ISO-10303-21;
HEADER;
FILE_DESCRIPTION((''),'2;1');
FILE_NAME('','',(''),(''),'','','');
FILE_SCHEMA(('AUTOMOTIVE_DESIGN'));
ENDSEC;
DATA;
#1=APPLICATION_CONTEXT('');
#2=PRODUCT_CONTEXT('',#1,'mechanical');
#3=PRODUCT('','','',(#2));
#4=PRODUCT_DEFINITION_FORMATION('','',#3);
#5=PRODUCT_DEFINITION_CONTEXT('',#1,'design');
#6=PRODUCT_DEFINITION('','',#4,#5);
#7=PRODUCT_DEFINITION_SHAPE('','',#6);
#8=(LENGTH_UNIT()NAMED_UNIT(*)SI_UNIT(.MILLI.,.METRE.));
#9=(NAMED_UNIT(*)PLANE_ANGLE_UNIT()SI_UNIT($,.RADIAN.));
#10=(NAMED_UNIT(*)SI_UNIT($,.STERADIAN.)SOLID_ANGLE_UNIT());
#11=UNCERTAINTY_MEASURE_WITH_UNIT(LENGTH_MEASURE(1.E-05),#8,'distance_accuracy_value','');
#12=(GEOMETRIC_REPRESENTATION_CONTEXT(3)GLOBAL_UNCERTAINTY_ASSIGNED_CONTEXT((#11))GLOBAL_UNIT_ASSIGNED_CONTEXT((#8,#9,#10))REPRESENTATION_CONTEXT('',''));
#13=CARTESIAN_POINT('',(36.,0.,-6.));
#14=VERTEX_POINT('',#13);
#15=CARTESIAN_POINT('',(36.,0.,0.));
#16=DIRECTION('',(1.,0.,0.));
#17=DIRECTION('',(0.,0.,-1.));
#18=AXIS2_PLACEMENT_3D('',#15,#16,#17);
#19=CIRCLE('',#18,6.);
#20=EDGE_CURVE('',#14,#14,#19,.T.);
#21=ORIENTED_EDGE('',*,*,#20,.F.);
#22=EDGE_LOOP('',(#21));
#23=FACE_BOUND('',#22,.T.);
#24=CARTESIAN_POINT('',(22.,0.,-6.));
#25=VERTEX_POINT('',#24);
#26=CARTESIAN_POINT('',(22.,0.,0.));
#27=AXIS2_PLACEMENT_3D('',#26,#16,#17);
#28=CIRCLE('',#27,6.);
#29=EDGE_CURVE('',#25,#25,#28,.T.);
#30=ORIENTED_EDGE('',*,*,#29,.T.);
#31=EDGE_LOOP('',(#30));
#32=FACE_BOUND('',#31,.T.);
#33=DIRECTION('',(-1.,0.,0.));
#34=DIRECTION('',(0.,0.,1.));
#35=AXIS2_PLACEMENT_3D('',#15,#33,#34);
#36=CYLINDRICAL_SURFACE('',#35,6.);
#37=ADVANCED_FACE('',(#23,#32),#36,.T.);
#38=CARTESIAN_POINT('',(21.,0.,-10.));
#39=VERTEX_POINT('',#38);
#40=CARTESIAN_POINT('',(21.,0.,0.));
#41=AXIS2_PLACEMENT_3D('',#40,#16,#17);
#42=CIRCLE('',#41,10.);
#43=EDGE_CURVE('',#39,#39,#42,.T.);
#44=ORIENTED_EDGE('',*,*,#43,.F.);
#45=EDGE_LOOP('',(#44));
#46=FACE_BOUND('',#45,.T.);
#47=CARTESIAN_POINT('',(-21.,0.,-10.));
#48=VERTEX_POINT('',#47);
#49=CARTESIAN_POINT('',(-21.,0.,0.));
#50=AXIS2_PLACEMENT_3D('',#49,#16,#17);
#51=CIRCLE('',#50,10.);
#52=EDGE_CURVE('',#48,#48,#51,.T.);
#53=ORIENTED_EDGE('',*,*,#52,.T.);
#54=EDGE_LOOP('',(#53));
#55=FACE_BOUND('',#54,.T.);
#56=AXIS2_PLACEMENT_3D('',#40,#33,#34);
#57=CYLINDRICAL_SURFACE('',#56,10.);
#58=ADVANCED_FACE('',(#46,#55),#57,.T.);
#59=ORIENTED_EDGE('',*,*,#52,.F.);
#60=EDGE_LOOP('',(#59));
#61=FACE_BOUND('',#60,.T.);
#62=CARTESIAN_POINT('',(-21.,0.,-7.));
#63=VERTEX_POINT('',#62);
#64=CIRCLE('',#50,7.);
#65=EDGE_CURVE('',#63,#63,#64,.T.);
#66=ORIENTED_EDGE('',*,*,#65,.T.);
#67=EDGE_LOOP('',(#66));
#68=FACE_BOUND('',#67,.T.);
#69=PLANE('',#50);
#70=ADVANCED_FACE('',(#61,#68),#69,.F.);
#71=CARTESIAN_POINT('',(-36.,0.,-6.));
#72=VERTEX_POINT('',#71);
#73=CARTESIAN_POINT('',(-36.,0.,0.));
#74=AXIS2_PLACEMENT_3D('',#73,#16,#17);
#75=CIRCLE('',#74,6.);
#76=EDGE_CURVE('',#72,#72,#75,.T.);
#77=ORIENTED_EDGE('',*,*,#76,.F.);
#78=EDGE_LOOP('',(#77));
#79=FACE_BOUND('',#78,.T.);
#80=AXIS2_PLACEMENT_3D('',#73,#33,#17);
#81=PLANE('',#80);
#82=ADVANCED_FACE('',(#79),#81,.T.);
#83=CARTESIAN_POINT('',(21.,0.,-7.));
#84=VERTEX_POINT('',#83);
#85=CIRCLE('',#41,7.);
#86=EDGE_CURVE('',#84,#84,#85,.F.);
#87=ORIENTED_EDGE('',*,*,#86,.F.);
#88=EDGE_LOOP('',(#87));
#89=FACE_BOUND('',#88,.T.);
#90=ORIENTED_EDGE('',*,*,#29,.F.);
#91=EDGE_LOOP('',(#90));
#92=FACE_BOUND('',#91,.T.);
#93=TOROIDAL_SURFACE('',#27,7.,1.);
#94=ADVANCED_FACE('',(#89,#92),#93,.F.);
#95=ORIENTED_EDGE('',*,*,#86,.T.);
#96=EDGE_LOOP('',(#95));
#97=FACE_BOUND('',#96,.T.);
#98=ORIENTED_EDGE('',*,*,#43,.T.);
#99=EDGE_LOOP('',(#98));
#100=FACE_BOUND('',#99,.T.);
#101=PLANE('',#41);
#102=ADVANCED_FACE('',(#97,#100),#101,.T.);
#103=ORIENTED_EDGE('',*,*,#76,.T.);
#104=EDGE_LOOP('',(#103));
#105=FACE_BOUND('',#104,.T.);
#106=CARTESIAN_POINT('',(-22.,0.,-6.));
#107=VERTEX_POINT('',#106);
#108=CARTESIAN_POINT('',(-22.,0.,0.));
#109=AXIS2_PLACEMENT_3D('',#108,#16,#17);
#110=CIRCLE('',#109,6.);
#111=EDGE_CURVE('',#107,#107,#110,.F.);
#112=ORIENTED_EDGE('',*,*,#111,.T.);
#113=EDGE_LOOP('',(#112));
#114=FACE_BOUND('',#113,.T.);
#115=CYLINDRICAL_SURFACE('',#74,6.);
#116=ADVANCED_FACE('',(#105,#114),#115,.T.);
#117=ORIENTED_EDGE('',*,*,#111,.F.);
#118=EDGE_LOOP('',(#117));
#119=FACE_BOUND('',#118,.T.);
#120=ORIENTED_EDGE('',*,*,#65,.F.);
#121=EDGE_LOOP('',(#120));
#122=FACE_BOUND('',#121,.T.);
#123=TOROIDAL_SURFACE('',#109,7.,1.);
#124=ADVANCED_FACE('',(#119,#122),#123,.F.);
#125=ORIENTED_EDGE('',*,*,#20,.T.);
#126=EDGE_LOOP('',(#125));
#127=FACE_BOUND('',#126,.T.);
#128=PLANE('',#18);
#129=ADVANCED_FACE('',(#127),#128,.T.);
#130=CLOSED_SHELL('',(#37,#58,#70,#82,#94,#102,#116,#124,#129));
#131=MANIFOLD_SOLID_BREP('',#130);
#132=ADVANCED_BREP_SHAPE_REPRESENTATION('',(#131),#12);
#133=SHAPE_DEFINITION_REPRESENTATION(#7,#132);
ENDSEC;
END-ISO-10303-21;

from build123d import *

# Parameters (mm, degrees)
SKETCH1_R           = 10
BOSS_EXTRUDE1_DEPTH = 21
SKETCH_1_R          = 6
EXTRUDE_1_DEPTH     = 15
FILLET_1_R          = 1


with BuildPart() as part:
    # Sketch1 → Boss-Extrude1 (new body, symmetric)
    with BuildSketch(Plane(origin=(0, 0, 0), x_dir=(0, 0, -1), z_dir=(1, 0, 0))):
        Circle(SKETCH1_R)
    extrude(amount=BOSS_EXTRUDE1_DEPTH, both=True)

    # 草图1 → 凸台-拉伸1 (add)
    with BuildSketch(Plane(origin=(21, 0, 0), x_dir=(0, 0, -1), z_dir=(1, 0, 0))):
        Circle(SKETCH_1_R)
    extrude_1 = extrude(amount=EXTRUDE_1_DEPTH)

    # 镜向1: 凸台-拉伸1 across plane
    add(extrude_1.mirror(Plane(origin=(0, 0, 0), x_dir=(0, 0, 1), z_dir=(1, 0, 0))))

    # 圆角1
    fillet_1_edges = [part.edges().sort_by_distance(p)[0] for p in [
        (-21, 0, 6),
        (21, 0, 6),
    ]]
    fillet(fillet_1_edges, radius=FILLET_1_R)


solid = part.part
